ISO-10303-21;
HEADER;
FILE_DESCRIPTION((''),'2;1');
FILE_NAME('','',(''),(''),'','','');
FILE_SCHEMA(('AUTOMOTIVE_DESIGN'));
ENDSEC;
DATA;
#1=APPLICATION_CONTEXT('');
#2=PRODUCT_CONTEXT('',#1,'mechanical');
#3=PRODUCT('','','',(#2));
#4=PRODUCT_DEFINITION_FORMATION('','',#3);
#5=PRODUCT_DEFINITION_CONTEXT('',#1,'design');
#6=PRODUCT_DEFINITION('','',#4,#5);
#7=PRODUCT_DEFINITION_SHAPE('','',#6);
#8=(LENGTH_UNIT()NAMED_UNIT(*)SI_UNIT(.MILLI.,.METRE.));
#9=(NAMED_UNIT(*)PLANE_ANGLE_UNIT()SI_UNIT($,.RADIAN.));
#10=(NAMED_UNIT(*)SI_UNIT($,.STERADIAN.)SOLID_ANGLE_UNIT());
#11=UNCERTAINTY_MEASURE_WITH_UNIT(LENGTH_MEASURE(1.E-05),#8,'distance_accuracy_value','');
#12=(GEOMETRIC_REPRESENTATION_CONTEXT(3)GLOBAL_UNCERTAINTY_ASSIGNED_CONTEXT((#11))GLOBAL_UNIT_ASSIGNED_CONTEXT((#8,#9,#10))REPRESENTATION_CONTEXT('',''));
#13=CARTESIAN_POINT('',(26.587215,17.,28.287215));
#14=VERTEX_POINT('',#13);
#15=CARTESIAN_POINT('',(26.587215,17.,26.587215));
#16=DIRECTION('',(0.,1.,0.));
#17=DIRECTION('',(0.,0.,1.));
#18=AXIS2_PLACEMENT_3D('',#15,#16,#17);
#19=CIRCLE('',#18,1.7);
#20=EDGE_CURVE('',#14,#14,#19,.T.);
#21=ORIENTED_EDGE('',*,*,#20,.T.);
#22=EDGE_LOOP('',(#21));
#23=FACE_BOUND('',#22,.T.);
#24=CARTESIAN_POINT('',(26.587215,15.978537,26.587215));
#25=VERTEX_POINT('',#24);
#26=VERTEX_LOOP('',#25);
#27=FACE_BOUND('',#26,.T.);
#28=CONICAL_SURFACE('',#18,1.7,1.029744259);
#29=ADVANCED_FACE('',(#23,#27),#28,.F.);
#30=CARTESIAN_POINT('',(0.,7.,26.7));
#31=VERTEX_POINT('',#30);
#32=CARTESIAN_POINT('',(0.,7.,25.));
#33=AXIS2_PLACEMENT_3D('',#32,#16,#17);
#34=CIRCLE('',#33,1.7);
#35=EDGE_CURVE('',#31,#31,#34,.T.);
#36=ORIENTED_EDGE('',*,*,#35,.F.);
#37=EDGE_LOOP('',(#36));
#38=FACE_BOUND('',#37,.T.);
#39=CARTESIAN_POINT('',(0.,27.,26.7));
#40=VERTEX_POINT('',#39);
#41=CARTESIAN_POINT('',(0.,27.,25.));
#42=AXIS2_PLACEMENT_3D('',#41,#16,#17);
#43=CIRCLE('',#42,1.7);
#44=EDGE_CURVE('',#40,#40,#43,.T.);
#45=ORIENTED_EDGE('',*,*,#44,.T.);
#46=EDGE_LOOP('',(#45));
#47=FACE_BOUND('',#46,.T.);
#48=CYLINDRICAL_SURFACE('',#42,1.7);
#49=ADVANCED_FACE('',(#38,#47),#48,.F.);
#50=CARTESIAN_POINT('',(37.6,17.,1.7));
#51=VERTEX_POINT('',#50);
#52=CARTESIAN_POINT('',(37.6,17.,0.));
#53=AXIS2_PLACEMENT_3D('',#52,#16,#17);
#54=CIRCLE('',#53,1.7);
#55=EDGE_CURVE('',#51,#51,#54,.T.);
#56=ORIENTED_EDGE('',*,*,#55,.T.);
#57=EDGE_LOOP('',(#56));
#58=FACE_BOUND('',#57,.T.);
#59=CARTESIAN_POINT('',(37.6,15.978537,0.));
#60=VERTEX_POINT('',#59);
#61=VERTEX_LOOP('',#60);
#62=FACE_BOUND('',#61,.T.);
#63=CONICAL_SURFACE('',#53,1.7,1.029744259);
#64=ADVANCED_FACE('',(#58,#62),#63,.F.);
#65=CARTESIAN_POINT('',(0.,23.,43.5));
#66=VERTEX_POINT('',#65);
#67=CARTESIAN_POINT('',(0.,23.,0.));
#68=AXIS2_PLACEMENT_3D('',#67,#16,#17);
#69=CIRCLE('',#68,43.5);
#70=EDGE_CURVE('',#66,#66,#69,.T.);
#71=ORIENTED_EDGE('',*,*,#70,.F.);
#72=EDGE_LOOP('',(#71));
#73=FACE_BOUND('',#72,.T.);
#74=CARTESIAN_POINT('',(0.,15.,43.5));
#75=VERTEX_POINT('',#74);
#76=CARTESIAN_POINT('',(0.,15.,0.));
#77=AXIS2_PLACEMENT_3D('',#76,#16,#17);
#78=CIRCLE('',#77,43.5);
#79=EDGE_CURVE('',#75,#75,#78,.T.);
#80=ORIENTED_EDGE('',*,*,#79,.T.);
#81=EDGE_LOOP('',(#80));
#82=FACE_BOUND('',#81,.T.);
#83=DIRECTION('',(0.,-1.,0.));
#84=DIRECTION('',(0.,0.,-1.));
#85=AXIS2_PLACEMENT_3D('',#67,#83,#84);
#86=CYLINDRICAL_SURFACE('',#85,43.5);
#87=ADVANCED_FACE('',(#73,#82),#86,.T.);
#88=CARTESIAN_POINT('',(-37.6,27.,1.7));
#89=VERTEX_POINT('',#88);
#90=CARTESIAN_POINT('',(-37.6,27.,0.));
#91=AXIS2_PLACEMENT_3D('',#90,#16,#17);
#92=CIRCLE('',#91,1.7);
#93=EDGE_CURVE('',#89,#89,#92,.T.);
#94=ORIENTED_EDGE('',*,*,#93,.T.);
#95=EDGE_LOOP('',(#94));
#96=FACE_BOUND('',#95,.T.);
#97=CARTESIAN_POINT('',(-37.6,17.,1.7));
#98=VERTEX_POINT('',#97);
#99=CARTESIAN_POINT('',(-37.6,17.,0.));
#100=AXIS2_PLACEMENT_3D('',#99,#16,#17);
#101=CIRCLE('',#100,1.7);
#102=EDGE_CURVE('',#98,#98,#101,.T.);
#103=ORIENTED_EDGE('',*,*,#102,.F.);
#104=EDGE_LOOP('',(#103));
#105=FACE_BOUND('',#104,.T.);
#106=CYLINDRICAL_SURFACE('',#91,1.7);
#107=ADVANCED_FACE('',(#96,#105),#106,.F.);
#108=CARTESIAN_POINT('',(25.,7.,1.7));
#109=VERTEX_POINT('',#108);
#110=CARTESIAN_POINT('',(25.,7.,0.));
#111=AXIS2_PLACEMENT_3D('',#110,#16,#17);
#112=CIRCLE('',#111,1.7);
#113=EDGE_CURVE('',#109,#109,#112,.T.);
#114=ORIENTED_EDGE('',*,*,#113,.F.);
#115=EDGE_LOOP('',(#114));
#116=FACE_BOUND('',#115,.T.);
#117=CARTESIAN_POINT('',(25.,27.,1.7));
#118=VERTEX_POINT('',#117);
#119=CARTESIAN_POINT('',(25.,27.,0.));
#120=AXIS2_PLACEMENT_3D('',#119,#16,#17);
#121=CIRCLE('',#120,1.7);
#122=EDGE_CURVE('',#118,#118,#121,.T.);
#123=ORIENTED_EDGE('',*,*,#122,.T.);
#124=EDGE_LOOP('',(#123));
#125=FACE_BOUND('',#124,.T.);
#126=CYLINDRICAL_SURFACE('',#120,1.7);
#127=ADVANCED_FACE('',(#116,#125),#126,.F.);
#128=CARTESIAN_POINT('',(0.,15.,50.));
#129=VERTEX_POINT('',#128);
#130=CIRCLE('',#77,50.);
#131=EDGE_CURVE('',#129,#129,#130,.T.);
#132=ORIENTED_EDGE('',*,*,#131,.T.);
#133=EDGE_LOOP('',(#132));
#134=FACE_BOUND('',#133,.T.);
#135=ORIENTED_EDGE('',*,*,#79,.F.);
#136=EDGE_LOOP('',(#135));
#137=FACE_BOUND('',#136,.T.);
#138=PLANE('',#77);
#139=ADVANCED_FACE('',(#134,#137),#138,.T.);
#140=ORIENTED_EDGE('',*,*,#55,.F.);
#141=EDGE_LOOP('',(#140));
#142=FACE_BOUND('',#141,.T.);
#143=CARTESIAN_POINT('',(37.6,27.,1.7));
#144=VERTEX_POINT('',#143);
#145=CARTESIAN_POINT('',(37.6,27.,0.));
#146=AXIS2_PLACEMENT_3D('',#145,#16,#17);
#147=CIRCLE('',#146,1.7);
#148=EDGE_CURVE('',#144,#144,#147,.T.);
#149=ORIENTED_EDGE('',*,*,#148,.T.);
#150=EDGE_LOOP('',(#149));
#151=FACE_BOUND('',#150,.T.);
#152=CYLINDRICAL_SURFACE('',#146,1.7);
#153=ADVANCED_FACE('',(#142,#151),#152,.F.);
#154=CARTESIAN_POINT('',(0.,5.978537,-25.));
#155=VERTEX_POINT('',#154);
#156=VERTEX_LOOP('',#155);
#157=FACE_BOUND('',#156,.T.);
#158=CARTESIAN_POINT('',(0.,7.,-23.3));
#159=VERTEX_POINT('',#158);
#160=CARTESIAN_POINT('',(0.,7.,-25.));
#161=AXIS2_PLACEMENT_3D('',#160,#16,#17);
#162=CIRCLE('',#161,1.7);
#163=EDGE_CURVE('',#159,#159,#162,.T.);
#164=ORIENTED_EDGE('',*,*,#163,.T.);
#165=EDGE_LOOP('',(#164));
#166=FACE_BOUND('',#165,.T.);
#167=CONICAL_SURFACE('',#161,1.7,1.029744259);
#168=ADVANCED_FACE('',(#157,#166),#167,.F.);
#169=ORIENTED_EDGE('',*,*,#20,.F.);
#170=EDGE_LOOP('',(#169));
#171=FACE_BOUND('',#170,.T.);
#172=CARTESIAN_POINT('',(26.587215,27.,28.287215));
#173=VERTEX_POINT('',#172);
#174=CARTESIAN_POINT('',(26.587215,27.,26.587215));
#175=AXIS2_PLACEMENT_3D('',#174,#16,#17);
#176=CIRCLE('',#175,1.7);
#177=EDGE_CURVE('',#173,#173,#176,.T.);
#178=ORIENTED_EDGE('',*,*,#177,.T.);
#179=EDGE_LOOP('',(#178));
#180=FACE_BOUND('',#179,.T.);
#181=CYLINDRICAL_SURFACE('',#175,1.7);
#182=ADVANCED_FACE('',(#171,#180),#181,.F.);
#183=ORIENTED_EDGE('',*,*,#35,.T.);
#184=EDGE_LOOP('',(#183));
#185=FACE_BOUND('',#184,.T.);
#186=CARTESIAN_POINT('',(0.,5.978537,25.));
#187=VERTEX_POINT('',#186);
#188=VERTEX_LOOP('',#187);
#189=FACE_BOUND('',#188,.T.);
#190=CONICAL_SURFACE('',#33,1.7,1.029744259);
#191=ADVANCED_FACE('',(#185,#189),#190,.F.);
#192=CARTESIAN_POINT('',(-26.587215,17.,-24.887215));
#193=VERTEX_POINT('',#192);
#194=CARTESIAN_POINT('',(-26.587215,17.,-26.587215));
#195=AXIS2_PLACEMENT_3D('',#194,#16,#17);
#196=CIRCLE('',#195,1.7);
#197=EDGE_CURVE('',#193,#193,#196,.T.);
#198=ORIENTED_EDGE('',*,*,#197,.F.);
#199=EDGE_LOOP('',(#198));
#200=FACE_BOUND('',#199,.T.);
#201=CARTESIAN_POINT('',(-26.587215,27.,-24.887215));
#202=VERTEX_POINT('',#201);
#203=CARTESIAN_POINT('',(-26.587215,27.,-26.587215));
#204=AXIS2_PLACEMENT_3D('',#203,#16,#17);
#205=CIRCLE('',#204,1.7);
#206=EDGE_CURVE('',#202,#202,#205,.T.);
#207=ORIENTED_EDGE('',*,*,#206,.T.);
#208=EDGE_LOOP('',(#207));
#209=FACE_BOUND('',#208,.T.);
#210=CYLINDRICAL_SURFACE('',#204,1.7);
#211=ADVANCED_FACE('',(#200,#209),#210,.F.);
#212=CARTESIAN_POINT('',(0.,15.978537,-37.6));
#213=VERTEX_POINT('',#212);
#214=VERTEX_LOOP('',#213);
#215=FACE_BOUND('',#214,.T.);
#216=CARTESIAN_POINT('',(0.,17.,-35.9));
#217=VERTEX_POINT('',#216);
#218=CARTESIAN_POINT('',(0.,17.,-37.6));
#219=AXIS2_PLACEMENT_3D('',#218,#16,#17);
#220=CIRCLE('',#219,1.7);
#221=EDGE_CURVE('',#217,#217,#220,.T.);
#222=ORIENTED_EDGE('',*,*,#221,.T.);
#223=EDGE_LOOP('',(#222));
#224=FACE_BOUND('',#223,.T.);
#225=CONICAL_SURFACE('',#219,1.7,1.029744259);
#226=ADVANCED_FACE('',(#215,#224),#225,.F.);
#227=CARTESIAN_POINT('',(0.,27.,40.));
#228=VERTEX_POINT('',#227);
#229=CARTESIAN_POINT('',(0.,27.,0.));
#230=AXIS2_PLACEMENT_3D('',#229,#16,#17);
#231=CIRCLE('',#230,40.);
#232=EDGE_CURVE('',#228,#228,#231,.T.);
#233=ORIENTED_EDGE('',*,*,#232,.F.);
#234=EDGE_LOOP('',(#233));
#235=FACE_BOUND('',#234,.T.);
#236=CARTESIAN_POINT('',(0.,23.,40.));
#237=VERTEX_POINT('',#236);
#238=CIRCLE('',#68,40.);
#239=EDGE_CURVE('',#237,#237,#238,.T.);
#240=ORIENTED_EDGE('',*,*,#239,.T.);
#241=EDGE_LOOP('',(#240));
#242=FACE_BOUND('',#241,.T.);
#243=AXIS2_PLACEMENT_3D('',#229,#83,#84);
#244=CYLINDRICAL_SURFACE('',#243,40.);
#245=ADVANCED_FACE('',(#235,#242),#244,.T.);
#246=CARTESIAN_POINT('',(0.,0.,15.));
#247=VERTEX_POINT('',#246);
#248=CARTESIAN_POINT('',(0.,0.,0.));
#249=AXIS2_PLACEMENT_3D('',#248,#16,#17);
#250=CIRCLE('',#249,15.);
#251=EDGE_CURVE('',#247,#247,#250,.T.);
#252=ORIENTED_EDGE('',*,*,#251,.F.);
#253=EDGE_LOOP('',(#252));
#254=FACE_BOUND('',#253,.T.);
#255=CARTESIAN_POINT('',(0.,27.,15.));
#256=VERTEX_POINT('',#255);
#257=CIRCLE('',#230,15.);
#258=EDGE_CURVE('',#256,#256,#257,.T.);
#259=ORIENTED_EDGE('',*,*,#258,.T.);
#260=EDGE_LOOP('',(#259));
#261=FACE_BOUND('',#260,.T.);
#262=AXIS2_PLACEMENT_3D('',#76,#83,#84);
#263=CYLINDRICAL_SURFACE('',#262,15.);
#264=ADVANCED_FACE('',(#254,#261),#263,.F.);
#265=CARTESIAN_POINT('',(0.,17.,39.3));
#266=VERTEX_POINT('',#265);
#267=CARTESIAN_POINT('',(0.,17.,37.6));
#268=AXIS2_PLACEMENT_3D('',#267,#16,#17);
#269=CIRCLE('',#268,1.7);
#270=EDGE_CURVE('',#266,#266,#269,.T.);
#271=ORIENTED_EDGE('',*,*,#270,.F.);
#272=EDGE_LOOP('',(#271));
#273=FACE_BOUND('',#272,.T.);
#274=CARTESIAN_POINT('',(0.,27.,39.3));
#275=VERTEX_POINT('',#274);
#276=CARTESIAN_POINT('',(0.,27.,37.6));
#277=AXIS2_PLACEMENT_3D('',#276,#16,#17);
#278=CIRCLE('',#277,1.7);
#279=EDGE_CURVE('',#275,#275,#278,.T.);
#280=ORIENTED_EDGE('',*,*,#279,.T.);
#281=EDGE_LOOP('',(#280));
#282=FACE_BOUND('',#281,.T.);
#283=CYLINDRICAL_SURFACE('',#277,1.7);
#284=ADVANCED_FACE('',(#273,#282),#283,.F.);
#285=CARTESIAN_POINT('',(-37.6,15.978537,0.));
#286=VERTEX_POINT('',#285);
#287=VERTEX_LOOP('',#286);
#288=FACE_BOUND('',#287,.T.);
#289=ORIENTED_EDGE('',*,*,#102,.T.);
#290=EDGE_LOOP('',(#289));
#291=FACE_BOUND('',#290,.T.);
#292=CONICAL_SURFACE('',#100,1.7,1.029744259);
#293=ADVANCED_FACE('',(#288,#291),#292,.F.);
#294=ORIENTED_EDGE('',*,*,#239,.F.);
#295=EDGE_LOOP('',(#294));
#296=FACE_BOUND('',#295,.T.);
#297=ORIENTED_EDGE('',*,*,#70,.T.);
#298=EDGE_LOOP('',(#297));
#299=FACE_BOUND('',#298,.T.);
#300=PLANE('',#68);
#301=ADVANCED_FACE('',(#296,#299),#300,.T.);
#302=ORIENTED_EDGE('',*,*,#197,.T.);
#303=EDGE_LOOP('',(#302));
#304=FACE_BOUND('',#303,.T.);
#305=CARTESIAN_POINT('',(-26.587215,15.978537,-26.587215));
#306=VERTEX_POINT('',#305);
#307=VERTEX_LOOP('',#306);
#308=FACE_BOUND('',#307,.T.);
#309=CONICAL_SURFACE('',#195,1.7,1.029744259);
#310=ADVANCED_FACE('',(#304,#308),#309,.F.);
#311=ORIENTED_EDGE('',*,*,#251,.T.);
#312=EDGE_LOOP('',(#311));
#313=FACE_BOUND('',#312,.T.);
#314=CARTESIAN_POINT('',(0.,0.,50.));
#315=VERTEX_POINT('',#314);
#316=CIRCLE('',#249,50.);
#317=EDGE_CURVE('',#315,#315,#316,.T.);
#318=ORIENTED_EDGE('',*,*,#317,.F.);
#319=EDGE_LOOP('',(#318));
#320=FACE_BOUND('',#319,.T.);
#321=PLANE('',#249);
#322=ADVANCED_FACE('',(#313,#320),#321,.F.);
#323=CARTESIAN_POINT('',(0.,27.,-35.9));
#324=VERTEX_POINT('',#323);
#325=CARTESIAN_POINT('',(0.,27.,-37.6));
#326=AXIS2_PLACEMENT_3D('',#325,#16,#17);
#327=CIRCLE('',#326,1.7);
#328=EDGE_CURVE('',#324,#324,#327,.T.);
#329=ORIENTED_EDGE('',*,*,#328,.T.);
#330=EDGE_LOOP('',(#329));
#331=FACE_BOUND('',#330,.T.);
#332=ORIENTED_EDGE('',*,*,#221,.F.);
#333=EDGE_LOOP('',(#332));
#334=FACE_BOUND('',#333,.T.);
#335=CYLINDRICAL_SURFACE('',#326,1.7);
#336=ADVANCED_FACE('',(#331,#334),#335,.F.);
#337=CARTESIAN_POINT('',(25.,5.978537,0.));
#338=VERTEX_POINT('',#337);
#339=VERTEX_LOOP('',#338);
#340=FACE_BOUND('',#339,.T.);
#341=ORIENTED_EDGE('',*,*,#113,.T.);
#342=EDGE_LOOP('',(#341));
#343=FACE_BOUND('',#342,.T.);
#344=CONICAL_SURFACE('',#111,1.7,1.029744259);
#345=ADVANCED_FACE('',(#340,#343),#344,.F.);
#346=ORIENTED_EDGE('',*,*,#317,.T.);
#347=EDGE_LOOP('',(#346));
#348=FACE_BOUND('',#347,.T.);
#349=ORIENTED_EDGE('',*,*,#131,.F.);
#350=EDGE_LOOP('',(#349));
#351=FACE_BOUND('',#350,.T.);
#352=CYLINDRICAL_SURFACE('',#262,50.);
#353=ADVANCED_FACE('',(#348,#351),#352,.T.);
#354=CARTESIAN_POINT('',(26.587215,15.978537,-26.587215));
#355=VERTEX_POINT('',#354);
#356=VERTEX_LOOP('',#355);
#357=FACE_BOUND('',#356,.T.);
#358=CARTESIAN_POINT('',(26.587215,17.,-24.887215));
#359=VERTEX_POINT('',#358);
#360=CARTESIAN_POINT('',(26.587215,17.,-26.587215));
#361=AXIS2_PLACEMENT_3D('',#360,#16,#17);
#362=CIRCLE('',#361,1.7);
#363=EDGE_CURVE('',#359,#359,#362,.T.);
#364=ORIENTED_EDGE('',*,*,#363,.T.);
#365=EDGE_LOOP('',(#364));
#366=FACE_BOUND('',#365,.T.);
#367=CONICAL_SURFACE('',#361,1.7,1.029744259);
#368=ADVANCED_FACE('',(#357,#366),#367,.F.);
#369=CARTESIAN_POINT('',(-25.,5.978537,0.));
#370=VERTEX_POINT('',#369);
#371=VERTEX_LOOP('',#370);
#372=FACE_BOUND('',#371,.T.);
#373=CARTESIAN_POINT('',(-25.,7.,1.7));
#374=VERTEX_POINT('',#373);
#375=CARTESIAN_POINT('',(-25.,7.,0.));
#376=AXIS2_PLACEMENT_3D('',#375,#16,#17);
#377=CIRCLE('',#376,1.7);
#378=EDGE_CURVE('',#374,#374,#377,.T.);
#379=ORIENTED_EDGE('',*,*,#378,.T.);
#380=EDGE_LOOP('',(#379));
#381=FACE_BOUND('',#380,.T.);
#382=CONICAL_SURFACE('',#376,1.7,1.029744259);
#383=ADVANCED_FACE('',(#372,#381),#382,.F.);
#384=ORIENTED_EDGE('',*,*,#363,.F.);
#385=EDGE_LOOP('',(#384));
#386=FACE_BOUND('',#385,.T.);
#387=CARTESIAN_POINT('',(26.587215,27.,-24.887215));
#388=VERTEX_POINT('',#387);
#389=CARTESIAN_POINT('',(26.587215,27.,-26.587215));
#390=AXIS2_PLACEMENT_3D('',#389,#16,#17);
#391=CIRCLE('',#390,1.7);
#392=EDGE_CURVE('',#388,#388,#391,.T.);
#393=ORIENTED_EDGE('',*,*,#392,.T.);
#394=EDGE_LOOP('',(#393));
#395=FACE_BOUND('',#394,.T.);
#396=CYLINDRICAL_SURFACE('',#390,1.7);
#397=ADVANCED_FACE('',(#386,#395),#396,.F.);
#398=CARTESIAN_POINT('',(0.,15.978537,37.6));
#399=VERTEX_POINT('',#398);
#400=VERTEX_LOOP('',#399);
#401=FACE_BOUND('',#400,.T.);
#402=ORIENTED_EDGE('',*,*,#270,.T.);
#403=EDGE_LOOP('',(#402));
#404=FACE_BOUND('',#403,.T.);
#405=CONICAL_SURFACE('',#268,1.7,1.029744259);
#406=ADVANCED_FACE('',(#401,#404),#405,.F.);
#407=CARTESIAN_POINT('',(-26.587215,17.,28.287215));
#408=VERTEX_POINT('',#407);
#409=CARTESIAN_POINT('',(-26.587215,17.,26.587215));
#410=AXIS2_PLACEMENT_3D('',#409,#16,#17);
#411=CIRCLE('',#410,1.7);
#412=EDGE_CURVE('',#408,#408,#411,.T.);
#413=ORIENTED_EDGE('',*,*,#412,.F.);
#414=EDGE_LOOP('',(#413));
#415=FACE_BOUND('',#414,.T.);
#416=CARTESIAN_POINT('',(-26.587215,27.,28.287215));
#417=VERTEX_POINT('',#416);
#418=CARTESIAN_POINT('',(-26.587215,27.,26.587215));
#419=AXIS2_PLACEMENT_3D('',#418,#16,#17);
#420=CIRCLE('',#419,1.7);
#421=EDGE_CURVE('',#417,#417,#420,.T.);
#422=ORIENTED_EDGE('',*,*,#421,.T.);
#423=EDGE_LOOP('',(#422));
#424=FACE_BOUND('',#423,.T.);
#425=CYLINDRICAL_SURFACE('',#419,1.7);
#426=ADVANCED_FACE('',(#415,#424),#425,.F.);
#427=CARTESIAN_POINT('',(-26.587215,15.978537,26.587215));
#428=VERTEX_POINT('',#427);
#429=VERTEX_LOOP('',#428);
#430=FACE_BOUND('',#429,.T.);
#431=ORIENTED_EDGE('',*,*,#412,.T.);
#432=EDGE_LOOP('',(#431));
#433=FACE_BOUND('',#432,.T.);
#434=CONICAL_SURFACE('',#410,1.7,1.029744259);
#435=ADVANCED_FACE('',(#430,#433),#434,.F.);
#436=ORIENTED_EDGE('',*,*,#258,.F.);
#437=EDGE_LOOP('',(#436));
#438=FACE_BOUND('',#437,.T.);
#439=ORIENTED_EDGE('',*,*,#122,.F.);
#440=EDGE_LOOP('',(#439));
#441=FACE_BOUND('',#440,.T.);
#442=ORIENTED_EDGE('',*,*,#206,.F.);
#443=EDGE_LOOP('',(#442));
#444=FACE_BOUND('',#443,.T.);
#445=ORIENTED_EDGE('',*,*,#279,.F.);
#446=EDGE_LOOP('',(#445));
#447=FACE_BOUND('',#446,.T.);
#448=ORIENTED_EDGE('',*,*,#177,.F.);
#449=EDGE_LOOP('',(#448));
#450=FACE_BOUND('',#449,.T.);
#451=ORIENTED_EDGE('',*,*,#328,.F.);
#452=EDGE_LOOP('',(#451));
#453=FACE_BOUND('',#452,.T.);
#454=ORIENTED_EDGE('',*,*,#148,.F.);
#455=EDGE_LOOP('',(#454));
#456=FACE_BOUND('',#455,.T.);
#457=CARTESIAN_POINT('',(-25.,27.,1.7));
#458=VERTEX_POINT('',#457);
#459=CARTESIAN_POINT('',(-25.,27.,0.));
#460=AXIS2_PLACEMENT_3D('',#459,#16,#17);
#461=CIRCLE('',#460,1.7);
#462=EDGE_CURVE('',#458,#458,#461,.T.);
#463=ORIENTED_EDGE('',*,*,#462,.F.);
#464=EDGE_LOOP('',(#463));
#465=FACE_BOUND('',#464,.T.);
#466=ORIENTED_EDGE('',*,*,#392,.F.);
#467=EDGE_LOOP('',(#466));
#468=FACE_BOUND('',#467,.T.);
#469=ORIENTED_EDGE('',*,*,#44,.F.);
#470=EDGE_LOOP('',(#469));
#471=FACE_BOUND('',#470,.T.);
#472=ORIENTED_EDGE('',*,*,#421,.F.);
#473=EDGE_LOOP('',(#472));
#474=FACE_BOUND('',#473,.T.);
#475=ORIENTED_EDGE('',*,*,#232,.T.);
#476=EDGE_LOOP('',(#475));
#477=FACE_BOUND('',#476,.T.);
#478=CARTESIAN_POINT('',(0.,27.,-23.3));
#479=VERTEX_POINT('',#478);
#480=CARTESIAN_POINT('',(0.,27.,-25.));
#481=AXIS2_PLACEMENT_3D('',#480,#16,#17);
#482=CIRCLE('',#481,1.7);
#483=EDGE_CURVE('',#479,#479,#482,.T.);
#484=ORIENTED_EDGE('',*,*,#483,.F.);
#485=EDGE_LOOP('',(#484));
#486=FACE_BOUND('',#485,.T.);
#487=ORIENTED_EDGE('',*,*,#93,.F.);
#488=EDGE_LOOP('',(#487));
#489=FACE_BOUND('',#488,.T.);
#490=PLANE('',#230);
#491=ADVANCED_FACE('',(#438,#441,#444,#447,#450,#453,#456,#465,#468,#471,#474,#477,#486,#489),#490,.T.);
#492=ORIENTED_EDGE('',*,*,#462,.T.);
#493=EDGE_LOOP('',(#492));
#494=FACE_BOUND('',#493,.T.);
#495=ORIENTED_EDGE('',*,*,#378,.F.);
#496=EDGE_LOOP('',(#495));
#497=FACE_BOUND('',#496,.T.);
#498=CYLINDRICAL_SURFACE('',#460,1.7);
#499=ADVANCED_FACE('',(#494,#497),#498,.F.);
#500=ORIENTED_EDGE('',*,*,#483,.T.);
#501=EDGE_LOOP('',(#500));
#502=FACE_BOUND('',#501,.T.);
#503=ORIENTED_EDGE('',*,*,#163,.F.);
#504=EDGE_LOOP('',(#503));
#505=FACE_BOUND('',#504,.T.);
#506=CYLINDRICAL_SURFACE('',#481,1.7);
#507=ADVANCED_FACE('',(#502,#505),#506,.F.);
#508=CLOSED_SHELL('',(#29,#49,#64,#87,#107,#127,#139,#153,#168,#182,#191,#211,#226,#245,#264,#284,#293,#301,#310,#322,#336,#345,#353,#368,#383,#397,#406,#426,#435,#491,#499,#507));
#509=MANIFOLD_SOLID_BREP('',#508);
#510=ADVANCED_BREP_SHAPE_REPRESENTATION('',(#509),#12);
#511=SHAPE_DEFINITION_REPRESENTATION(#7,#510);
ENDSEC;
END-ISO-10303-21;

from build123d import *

# Parameters (mm, degrees)
CROQUIS1_R                       = 50
CROQUIS1_R_2                     = 15
SALIENTE_EXTRUIR1_DEPTH          = 15
CROQUIS2_R                       = 43.5
CROQUIS2_R_2                     = 15
SALIENTE_EXTRUIR2_DEPTH          = 8
CROQUIS3_R                       = 40
CROQUIS3_R_2                     = 15
SALIENTE_EXTRUIR3_DEPTH          = 4
TALADRO_DE_MARGEN_PARA_M31_D     = 3.4
TALADRO_DE_MARGEN_PARA_M31_DEPTH = 10
TALADRO_DE_MARGEN_PARA_M31_TIP   = 1.021463052
TALADRO_DE_MARGEN_PARA_M32_D     = 3.4
TALADRO_DE_MARGEN_PARA_M32_DEPTH = 20
TALADRO_DE_MARGEN_PARA_M32_TIP   = 1.021463052


with BuildPart() as part:
    # Croquis1 → Saliente-Extruir1 (new body)
    with BuildSketch(Plane(origin=(0, 0, 0), x_dir=(1, 0, 0), z_dir=(0, 1, 0))):
        with Locations(Location((0, 0, 0), (0, 0, 270))):
            Circle(CROQUIS1_R)
        with Locations(Location((0, 0, 0), (0, 0, 270))):
            Circle(CROQUIS1_R_2, mode=Mode.SUBTRACT)
    extrude(amount=SALIENTE_EXTRUIR1_DEPTH)

    # Croquis2 → Saliente-Extruir2 (add)
    with BuildSketch(Plane(origin=(0, 15, 0), x_dir=(1, 0, 0), z_dir=(0, 1, 0))):
        with Locations(Location((0, 0, 0), (0, 0, 270))):
            Circle(CROQUIS2_R)
        with Locations(Location((0, 0, 0), (0, 0, 270))):
            Circle(CROQUIS2_R_2, mode=Mode.SUBTRACT)
    extrude(amount=SALIENTE_EXTRUIR2_DEPTH)

    # Croquis3 → Saliente-Extruir3 (add)
    with BuildSketch(Plane(origin=(0, 23, 0), x_dir=(1, 0, 0), z_dir=(0, 1, 0))):
        with Locations(Location((0, 0, 0), (0, 0, 270))):
            Circle(CROQUIS3_R)
        with Locations(Location((0, 0, 0), (0, 0, 270))):
            Circle(CROQUIS3_R_2, mode=Mode.SUBTRACT)
    extrude(amount=SALIENTE_EXTRUIR3_DEPTH)

    # Taladro de margen para M31
    with Locations(Plane(origin=(0, 27, 0), x_dir=(1, 0, 0), z_dir=(0, 1, 0))):
        with Locations((0, 37.6), (26.587214973, 26.587214973), (37.6, 0), (26.587214973, -26.587214973), (0, -37.6), (-26.587214973, -26.587214973), (-37.6, 0), (-26.587214973, 26.587214973)):
            Hole(TALADRO_DE_MARGEN_PARA_M31_D / 2, depth=TALADRO_DE_MARGEN_PARA_M31_DEPTH)
            with Locations((0, 0, -(TALADRO_DE_MARGEN_PARA_M31_DEPTH + TALADRO_DE_MARGEN_PARA_M31_TIP / 2))):  # 118° drill point
                Cone(0, TALADRO_DE_MARGEN_PARA_M31_D / 2, TALADRO_DE_MARGEN_PARA_M31_TIP, mode=Mode.SUBTRACT)

    # Taladro de margen para M32
    with Locations(Plane(origin=(0, 27, 0), x_dir=(1, 0, 0), z_dir=(0, 1, 0))):
        with Locations((0, 25), (25, 0), (0, -25), (-25, 0)):
            Hole(TALADRO_DE_MARGEN_PARA_M32_D / 2, depth=TALADRO_DE_MARGEN_PARA_M32_DEPTH)
            with Locations((0, 0, -(TALADRO_DE_MARGEN_PARA_M32_DEPTH + TALADRO_DE_MARGEN_PARA_M32_TIP / 2))):  # 118° drill point
                Cone(0, TALADRO_DE_MARGEN_PARA_M32_D / 2, TALADRO_DE_MARGEN_PARA_M32_TIP, mode=Mode.SUBTRACT)


solid = part.part
